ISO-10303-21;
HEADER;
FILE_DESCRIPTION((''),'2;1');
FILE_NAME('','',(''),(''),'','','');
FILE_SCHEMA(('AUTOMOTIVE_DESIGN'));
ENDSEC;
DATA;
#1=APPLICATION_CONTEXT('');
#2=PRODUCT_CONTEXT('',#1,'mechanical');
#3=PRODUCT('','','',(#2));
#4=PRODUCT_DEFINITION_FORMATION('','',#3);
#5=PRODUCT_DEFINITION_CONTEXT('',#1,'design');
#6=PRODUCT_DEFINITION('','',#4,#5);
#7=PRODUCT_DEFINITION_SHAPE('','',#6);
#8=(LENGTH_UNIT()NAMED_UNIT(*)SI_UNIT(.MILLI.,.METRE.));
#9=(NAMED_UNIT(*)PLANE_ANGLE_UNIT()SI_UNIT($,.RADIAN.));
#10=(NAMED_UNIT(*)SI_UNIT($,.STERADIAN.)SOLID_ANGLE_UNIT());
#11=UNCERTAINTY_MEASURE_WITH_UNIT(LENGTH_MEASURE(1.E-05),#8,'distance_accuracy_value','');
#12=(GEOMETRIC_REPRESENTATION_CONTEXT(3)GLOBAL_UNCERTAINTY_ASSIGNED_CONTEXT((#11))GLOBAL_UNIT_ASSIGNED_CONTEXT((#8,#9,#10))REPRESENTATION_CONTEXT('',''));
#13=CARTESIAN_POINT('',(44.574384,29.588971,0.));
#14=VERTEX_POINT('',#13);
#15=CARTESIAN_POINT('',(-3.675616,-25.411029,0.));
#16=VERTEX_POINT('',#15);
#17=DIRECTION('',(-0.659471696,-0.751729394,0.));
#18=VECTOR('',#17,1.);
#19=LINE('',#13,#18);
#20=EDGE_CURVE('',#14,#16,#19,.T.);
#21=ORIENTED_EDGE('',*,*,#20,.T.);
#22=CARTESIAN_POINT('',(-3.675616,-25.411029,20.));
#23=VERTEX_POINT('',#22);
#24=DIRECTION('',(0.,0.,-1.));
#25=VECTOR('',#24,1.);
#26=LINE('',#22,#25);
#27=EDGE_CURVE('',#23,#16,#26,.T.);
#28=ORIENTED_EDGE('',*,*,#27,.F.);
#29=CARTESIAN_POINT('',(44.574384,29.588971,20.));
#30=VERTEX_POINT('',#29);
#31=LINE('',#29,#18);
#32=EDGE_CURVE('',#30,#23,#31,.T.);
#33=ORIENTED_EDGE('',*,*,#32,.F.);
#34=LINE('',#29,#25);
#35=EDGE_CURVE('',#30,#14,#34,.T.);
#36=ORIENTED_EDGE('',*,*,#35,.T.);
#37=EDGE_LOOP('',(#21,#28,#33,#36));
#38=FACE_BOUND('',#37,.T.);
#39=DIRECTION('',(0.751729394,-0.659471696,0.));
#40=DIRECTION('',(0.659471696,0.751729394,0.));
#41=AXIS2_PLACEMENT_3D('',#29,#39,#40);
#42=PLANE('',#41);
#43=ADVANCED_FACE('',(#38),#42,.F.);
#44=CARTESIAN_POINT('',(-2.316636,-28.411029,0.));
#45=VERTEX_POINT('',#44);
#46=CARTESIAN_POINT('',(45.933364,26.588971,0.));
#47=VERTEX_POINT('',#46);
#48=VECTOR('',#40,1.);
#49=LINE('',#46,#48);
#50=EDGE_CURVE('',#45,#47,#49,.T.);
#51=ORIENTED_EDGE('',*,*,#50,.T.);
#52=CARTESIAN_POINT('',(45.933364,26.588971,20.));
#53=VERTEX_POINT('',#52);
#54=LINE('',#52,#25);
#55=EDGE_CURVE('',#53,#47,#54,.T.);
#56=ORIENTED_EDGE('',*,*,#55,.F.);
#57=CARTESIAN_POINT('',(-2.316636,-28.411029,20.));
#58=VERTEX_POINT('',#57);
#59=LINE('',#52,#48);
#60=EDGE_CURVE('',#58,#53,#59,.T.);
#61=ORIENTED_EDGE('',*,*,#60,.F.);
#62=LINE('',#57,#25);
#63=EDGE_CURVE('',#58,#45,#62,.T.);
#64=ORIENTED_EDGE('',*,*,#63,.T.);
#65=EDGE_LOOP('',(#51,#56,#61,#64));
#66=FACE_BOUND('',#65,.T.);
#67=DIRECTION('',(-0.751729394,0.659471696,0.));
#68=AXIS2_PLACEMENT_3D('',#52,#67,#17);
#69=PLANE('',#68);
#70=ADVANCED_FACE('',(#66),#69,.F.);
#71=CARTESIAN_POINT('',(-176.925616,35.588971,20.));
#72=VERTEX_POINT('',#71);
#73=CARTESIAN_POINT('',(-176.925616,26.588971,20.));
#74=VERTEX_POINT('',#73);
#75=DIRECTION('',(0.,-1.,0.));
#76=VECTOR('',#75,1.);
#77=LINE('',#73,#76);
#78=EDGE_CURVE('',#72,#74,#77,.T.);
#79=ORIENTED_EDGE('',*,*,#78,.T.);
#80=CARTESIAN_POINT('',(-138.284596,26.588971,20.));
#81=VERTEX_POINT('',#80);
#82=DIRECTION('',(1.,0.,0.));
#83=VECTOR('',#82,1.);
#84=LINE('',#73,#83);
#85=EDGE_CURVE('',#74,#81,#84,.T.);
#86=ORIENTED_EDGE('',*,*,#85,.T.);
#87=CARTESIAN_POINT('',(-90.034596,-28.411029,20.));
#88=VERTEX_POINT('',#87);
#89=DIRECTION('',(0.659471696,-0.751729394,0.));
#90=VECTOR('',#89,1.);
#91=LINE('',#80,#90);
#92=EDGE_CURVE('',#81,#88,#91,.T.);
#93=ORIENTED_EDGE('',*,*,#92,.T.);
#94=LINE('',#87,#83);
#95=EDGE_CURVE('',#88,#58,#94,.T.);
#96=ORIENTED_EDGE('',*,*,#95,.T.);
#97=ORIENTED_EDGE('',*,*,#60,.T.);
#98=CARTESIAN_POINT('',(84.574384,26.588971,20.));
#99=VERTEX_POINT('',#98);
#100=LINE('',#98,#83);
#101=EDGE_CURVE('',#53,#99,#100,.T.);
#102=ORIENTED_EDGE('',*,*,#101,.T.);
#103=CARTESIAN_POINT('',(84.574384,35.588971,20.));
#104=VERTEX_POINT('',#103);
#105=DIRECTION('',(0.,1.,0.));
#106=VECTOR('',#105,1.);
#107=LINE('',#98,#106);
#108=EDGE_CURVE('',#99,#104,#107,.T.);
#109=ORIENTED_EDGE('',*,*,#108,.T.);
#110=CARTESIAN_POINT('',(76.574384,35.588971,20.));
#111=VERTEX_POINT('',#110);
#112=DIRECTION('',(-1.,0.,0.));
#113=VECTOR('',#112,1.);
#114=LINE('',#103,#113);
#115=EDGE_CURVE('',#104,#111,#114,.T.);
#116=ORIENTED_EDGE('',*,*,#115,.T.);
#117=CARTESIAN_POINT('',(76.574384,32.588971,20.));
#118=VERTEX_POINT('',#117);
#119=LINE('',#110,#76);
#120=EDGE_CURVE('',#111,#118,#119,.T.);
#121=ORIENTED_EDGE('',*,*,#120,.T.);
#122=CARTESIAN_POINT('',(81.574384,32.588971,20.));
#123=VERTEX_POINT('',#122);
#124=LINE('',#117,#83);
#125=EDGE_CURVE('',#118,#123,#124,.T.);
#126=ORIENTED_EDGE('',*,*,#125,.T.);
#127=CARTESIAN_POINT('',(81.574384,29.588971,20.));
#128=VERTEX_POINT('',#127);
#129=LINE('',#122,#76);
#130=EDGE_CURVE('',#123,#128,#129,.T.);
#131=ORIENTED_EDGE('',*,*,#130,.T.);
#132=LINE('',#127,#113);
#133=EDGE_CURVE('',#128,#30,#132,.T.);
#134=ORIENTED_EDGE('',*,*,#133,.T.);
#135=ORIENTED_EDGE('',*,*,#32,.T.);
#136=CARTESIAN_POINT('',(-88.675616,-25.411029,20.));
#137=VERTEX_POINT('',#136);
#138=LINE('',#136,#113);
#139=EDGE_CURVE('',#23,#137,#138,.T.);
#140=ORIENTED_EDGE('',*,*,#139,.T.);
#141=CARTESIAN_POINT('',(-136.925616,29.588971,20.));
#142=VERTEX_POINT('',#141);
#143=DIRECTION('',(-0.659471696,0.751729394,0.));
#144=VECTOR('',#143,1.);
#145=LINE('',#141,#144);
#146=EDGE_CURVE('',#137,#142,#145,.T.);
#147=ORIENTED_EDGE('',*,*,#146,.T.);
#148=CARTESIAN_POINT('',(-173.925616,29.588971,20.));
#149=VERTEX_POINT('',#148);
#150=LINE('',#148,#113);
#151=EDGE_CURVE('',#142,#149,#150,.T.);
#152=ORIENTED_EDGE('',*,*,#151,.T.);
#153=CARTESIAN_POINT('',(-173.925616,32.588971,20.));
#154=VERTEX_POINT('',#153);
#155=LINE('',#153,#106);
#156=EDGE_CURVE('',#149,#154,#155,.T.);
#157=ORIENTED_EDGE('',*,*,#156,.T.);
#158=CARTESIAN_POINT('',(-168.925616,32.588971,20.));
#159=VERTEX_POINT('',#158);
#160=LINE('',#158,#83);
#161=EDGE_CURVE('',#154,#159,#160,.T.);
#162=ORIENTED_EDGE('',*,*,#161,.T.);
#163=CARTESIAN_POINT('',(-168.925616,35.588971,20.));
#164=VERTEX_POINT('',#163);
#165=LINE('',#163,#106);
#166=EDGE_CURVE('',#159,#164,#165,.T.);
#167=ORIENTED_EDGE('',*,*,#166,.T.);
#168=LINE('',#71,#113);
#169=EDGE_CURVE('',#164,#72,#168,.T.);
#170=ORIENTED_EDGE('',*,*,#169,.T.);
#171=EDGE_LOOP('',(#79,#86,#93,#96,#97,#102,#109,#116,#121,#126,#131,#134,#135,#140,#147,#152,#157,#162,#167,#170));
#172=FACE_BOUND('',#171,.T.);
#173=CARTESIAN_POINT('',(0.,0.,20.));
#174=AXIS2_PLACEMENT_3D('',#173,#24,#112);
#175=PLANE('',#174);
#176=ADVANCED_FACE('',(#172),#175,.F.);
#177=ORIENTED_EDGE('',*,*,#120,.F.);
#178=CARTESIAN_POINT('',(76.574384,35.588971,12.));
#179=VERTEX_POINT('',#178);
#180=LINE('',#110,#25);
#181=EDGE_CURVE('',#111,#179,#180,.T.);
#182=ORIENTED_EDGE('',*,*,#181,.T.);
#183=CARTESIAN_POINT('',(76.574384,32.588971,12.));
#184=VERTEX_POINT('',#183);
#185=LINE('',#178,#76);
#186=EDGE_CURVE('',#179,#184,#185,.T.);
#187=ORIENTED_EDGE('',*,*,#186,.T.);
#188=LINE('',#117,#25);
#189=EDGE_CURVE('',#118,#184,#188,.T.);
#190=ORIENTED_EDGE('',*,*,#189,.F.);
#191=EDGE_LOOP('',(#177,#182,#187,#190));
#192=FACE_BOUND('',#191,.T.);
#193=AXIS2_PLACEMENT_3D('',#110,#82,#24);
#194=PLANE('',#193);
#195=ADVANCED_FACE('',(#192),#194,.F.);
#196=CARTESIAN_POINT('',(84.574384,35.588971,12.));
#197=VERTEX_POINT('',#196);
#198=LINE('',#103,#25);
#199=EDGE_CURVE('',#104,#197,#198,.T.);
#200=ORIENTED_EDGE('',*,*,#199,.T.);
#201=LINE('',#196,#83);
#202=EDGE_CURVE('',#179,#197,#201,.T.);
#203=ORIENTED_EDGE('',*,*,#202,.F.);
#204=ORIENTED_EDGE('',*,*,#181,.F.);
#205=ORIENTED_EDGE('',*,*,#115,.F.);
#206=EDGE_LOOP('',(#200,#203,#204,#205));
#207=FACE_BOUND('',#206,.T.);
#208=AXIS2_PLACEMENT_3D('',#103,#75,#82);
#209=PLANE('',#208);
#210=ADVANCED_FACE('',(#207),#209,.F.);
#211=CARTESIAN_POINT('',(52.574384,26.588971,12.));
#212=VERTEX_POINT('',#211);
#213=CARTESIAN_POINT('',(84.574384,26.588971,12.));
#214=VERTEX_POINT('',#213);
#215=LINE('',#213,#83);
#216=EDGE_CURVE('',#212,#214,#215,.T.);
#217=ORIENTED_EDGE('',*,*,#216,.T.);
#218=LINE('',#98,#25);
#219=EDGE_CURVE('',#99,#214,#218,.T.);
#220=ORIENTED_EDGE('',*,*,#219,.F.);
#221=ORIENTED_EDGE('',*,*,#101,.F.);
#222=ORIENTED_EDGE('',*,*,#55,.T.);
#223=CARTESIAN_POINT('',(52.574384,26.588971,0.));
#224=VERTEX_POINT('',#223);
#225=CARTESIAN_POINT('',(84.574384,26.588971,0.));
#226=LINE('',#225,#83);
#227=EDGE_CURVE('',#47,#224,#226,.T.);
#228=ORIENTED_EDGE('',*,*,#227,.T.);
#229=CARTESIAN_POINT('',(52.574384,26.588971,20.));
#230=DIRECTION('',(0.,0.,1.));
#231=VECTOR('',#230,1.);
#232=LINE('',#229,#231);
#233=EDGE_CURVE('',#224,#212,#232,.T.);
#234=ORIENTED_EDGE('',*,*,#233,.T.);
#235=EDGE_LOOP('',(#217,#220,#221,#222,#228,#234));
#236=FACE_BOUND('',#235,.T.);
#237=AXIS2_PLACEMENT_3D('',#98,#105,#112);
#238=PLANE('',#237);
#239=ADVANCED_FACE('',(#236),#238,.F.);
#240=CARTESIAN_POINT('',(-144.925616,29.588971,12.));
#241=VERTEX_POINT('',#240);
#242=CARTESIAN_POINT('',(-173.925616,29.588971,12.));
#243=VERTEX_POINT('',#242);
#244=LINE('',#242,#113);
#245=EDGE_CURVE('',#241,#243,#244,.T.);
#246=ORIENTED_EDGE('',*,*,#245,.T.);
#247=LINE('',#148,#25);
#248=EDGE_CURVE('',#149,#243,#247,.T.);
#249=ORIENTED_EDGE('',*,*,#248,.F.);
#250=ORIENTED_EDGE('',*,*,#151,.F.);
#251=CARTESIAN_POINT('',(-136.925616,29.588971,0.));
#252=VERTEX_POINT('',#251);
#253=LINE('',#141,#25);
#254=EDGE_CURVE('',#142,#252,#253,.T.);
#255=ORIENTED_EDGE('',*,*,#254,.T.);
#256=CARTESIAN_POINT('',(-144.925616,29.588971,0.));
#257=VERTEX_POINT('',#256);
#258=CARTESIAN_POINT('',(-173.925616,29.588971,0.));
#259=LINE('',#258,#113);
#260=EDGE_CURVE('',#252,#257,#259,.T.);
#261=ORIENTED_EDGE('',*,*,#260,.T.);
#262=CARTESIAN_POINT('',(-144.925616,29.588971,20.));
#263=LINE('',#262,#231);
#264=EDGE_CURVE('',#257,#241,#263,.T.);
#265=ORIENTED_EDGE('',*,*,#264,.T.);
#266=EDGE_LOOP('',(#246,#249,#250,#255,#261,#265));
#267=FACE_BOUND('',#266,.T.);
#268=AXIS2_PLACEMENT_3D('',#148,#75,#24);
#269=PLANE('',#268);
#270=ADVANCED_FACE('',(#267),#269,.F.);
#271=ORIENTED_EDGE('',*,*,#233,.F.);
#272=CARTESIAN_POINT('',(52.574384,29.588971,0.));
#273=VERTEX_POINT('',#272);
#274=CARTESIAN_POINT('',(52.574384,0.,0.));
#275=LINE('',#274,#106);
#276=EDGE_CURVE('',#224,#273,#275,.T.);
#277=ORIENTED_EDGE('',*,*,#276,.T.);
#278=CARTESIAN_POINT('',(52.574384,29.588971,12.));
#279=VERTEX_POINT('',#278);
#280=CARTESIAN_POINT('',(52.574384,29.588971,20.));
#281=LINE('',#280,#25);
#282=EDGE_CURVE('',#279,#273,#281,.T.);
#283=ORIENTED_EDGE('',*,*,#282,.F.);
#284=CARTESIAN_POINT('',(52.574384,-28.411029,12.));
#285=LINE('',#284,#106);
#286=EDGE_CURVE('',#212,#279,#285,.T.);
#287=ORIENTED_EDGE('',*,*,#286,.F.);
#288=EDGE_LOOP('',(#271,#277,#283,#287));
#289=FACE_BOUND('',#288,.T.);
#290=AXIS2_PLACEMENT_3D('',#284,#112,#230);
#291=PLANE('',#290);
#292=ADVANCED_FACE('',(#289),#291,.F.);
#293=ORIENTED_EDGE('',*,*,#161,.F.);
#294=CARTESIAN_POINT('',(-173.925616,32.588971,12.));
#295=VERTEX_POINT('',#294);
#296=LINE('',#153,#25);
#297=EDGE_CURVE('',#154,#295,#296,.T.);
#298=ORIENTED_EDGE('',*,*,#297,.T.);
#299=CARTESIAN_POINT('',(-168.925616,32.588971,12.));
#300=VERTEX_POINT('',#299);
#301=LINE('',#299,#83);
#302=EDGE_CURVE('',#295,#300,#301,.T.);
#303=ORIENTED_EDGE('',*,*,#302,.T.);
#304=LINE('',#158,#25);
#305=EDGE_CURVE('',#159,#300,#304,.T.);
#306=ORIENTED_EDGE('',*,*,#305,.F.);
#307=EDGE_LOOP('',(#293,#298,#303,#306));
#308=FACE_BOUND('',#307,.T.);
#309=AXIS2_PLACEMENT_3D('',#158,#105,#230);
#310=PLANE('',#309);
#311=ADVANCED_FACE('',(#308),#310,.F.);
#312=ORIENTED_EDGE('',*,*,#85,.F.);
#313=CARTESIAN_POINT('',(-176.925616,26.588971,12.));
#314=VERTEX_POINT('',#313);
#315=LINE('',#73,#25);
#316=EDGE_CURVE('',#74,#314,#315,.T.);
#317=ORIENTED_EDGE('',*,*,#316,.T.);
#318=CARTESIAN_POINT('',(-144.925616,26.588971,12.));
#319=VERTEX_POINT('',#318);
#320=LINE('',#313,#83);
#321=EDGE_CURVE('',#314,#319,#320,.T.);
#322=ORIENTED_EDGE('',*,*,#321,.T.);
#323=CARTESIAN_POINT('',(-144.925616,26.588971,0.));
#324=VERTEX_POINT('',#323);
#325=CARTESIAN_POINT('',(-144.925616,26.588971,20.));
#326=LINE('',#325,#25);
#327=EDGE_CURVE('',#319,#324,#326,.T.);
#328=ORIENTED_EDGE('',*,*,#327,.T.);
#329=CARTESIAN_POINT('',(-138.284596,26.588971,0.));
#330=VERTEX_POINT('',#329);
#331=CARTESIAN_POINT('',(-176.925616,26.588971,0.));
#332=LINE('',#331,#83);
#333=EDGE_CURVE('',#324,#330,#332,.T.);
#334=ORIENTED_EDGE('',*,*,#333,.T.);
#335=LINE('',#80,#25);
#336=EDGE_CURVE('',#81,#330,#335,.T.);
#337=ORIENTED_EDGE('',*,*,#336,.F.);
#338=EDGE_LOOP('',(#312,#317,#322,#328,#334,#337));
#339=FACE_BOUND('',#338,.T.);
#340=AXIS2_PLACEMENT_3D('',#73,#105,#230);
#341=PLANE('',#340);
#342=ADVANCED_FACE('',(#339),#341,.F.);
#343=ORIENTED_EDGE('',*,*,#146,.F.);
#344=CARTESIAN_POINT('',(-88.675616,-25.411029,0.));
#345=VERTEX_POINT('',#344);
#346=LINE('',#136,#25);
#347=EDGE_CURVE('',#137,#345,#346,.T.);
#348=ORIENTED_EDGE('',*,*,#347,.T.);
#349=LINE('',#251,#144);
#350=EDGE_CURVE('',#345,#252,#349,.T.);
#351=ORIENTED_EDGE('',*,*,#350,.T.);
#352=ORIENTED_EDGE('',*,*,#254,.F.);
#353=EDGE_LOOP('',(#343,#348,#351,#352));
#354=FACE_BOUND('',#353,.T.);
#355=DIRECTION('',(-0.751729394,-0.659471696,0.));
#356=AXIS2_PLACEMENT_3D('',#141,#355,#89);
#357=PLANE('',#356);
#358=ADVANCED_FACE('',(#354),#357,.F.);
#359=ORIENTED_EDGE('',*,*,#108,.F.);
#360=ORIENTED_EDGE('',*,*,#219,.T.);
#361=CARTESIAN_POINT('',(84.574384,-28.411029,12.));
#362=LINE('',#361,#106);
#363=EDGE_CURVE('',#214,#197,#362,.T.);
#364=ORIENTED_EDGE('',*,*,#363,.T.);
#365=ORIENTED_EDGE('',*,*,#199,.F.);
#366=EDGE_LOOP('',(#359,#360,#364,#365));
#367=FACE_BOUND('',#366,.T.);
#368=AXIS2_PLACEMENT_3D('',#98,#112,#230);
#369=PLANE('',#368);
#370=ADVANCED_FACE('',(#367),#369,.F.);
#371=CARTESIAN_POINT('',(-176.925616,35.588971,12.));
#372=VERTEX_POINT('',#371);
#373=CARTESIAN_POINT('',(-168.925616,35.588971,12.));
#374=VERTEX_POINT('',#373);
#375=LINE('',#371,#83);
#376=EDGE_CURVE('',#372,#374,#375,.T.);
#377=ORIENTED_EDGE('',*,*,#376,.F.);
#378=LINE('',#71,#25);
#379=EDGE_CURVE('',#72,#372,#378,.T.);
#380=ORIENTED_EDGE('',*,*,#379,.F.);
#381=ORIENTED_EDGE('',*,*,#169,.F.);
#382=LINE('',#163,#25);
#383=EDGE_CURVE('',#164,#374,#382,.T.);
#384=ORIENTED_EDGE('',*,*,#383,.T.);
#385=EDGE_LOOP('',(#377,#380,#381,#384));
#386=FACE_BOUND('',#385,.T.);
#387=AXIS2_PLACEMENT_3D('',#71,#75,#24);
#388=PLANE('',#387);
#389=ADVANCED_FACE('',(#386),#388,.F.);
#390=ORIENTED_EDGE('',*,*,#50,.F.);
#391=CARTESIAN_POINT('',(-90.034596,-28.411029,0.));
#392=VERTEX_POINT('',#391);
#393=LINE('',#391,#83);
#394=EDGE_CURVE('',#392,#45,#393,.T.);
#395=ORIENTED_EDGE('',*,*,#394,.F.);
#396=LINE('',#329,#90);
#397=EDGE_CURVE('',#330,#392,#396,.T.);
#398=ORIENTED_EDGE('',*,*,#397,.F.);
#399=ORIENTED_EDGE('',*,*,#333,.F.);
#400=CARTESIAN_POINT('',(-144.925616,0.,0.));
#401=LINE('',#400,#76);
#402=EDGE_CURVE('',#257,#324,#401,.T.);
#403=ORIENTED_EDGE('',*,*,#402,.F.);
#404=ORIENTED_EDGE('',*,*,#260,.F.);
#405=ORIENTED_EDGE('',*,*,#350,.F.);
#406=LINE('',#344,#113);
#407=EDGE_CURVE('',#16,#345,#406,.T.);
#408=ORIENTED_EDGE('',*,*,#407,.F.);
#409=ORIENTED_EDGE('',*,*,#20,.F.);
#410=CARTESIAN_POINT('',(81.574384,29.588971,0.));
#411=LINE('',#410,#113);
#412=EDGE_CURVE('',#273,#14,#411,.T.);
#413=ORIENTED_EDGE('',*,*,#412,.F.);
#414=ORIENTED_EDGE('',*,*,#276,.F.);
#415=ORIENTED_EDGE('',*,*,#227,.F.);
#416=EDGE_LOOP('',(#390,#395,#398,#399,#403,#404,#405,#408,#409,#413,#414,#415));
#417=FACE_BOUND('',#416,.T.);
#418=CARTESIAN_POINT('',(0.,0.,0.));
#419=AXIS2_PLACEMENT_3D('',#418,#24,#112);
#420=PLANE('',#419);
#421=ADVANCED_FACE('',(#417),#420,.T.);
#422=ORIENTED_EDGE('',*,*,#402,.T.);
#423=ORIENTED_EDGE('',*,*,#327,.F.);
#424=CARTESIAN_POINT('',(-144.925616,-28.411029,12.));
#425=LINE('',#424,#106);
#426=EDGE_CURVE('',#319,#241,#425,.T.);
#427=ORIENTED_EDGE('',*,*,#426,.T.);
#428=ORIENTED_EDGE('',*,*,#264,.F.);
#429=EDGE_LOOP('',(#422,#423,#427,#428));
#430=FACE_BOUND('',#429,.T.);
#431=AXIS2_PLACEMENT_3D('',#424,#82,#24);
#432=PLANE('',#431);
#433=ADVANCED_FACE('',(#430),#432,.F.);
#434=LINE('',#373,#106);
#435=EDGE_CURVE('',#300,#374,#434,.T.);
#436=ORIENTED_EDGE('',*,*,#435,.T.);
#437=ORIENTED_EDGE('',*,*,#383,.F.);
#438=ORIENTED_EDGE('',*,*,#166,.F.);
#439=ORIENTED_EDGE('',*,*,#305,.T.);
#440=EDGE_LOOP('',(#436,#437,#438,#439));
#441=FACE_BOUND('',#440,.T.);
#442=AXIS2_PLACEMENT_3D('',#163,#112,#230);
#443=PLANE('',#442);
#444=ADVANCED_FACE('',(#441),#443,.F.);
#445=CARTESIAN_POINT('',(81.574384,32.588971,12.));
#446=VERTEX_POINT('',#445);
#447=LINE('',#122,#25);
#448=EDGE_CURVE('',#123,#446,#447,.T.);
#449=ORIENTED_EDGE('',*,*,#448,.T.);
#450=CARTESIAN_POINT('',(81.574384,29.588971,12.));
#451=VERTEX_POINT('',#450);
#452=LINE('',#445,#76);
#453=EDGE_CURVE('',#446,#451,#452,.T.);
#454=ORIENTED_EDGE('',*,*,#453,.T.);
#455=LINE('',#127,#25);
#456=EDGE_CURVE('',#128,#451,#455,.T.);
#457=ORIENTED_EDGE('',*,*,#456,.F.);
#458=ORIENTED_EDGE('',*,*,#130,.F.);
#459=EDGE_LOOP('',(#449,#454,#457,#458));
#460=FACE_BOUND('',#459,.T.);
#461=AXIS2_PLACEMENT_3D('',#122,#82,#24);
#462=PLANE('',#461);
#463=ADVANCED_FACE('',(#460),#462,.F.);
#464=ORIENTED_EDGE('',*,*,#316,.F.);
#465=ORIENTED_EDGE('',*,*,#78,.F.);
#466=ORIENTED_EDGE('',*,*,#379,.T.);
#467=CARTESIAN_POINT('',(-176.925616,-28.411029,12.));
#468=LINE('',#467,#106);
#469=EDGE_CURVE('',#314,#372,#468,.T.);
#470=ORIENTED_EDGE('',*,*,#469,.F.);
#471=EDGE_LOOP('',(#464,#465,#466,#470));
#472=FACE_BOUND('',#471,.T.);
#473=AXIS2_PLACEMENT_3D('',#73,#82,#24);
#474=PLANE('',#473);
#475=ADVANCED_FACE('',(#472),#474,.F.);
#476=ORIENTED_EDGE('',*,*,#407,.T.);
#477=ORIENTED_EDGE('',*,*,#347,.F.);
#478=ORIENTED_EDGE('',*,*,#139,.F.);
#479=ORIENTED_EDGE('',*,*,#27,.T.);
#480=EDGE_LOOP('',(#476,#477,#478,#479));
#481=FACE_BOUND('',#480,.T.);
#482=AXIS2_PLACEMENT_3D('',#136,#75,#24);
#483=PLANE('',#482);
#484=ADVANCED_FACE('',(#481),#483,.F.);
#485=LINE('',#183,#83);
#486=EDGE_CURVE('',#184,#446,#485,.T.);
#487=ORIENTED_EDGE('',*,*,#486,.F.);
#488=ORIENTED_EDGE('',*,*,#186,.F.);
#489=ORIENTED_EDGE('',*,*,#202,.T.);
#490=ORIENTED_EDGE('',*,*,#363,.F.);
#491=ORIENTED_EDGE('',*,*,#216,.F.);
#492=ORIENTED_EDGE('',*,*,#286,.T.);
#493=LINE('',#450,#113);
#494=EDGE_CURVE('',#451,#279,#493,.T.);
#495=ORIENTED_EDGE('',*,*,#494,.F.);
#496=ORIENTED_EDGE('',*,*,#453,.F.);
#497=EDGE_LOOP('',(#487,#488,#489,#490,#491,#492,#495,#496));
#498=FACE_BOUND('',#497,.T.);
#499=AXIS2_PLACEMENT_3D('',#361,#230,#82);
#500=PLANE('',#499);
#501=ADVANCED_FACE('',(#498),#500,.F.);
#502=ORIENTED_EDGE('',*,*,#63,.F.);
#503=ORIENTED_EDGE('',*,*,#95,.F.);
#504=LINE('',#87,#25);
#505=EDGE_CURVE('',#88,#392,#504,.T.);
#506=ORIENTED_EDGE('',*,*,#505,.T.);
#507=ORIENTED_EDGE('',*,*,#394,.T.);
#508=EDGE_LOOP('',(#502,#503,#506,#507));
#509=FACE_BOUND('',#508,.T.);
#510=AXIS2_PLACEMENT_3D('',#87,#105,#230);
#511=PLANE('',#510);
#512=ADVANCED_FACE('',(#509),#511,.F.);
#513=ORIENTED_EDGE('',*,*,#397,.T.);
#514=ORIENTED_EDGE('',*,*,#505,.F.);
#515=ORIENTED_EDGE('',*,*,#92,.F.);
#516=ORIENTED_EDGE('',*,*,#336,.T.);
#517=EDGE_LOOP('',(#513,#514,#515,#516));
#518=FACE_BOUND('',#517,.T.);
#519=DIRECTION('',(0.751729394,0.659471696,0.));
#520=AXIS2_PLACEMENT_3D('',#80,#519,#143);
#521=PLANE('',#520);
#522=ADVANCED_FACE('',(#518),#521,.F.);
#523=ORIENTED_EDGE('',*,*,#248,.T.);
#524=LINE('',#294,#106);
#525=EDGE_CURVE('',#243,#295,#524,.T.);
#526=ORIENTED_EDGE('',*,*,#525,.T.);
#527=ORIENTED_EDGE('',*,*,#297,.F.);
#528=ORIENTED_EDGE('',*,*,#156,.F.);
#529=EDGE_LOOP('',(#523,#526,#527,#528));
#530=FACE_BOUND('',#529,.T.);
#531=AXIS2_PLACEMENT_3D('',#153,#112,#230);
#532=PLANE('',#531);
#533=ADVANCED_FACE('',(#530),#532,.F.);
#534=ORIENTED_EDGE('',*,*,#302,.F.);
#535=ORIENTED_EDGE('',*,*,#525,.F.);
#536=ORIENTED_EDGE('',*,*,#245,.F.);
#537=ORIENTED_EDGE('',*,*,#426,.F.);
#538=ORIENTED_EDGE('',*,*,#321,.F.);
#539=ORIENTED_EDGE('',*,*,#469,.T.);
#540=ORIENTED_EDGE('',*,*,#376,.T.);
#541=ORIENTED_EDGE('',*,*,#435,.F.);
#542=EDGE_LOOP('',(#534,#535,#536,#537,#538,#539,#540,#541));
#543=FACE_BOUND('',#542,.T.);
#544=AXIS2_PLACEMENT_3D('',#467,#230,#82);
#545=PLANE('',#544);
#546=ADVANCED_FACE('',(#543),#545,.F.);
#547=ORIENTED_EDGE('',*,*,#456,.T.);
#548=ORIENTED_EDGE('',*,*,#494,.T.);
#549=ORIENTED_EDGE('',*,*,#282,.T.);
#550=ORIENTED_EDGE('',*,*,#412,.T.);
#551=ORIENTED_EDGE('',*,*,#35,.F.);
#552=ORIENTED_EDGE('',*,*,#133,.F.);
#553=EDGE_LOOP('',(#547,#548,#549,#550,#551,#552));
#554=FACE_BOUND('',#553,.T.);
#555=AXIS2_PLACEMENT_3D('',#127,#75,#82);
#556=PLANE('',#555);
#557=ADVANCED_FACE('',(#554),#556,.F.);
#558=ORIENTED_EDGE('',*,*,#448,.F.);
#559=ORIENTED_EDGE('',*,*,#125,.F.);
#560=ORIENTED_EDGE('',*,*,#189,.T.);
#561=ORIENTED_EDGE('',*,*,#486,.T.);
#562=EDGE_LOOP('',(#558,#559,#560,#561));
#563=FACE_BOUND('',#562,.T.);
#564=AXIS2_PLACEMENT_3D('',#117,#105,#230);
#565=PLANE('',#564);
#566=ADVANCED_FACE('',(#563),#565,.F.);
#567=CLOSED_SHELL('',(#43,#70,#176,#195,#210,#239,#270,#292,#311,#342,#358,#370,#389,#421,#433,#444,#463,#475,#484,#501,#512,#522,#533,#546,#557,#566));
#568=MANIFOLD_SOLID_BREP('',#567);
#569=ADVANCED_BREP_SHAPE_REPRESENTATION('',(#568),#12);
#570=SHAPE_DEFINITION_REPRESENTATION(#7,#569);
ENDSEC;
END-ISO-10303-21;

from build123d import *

# Parameters (mm, degrees)
BOSS_EXTRUDE1_DEPTH = 20
SKETCH2_W           = 32
SKETCH2_H           = 24
CUT_EXTRUDE1_DEPTH  = 190.205374127


with BuildPart() as part:
    # Sketch1 → Boss-Extrude1 (new body)
    with BuildSketch(Plane.XY):
        Polygon((-173.925616004, 29.588970737), (-136.925616004, 29.588970737), (-88.675616004, -25.411029263), (-3.675616004, -25.411029263), (44.574383996, 29.588970737), (81.574383996, 29.588970737), (81.574383996, 32.588970737), (76.574383996, 32.588970737), (76.574383996, 35.588970737), (84.574383996, 35.588970737), (84.574383996, 26.588970737), (45.933363597, 26.588970737), (-2.316636403, -28.411029263), (-90.034595605, -28.411029263), (-138.284595605, 26.588970737), (-176.925616004, 26.588970737), (-176.925616004, 35.588970737), (-168.925616004, 35.588970737), (-168.925616004, 32.588970737), (-173.925616004, 32.588970737), align=None)
    extrude(amount=BOSS_EXTRUDE1_DEPTH)

    # Sketch2 → Cut-Extrude1 (cut, through all)
    with BuildSketch(Plane(origin=(0, 35.588970737, 0), x_dir=(1, 0, 0), z_dir=(0, 1, 0))):
        with Locations((-160.925616004, 0)):
            Rectangle(SKETCH2_W, SKETCH2_H)
        with Locations((68.574383996, 0)):
            Rectangle(SKETCH2_W, SKETCH2_H)
    extrude(amount=-CUT_EXTRUDE1_DEPTH, mode=Mode.SUBTRACT)


solid = part.part
